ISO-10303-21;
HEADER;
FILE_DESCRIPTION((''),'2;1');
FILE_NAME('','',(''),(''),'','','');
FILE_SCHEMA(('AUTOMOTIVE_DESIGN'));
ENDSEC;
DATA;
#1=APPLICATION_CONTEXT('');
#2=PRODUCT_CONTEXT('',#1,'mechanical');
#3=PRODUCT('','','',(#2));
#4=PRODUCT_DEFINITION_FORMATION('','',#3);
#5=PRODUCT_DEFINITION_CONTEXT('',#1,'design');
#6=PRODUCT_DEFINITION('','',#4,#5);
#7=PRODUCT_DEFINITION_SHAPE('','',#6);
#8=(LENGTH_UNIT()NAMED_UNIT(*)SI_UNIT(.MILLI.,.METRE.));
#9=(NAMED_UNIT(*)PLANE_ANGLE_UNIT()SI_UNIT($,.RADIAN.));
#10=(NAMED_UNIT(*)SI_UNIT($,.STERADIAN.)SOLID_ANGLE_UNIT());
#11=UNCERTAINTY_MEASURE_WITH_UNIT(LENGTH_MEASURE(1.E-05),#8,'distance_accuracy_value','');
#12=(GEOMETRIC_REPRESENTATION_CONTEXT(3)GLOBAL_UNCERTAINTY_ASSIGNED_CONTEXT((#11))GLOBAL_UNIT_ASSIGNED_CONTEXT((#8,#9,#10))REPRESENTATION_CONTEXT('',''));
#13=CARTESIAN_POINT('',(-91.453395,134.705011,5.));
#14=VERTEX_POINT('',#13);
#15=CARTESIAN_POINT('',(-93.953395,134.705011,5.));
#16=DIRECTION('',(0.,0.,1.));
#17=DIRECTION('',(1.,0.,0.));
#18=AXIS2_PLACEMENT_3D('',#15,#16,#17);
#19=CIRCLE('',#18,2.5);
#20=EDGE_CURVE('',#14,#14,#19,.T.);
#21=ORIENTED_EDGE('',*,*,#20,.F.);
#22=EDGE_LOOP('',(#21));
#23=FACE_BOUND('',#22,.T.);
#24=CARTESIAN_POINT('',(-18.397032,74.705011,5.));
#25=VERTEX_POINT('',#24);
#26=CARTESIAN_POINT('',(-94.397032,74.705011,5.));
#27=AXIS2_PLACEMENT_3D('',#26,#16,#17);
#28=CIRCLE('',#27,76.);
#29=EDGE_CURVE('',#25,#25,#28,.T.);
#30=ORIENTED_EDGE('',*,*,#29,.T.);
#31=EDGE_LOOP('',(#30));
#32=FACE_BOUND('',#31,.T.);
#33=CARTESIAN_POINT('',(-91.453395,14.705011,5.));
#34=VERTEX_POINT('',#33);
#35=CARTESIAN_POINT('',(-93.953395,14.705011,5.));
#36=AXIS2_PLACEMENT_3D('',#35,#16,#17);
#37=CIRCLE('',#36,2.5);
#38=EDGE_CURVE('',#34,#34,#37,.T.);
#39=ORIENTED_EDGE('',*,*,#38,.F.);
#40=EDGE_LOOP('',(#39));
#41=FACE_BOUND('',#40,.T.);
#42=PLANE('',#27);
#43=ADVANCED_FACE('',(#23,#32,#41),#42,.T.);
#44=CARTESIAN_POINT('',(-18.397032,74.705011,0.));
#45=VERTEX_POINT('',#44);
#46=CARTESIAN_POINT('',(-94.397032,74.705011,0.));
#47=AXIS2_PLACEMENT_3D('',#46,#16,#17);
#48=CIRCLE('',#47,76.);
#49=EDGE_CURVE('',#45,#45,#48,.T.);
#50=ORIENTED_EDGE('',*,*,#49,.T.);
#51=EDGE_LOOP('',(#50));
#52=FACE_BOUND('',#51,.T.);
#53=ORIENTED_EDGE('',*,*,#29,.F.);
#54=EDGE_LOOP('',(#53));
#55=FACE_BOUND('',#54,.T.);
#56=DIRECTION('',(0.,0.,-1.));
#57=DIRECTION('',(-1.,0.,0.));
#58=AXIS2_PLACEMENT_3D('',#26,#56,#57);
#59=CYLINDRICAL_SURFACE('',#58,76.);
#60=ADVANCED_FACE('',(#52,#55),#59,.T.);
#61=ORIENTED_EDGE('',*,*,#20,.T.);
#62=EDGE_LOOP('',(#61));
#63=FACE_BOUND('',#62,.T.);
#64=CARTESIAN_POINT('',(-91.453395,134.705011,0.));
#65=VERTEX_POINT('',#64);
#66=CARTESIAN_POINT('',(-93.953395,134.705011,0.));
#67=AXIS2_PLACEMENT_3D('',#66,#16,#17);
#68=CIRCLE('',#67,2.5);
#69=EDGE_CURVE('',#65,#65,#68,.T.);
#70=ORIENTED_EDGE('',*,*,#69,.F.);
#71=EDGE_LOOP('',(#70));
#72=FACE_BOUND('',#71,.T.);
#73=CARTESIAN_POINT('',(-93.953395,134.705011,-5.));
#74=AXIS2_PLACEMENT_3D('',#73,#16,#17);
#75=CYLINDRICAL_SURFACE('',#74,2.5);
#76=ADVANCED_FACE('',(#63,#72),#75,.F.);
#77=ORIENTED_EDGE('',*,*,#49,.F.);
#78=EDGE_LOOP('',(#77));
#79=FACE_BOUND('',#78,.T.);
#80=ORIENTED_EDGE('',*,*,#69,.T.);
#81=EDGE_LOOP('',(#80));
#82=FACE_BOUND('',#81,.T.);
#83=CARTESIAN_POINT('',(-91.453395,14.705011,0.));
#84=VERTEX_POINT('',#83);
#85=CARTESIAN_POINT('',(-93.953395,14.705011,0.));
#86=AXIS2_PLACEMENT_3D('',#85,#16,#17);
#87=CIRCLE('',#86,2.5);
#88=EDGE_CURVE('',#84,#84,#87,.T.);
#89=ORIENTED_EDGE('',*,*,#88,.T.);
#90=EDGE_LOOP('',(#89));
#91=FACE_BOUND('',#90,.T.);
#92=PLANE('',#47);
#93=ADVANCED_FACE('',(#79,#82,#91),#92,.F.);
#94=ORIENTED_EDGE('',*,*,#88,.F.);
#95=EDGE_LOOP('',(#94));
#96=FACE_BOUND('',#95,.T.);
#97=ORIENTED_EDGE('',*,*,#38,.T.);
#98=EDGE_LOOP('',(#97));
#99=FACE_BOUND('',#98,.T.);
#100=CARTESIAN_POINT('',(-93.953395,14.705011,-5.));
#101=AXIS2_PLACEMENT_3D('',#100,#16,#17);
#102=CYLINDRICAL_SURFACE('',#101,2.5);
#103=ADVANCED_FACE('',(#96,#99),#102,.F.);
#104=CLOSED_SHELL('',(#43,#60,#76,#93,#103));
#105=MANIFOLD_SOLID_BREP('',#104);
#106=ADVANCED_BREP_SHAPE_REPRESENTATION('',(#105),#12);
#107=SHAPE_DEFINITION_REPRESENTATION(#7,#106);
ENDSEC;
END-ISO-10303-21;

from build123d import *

# Parameters (mm, degrees)
SKETCH1_R           = 76
BOSS_EXTRUDE1_DEPTH = 5
SKETCH2_R           = 2.5
CUT_EXTRUDE1_DEPTH  = 10


with BuildPart() as part:
    # Sketch1 → Boss-Extrude1 (new body)
    with BuildSketch(Plane.XY):
        with Locations((-94.397031795, 74.705010708)):
            Circle(SKETCH1_R)
    extrude(amount=BOSS_EXTRUDE1_DEPTH)

    # Sketch2 → Cut-Extrude1 (cut)
    with BuildSketch(Plane.XY.offset(5)):
        with Locations((-93.953395264, 134.705010708)):
            Circle(SKETCH2_R)
        with Locations((-93.953395264, 14.705010708)):
            Circle(SKETCH2_R)
    extrude(amount=-CUT_EXTRUDE1_DEPTH, mode=Mode.SUBTRACT)


solid = part.part
